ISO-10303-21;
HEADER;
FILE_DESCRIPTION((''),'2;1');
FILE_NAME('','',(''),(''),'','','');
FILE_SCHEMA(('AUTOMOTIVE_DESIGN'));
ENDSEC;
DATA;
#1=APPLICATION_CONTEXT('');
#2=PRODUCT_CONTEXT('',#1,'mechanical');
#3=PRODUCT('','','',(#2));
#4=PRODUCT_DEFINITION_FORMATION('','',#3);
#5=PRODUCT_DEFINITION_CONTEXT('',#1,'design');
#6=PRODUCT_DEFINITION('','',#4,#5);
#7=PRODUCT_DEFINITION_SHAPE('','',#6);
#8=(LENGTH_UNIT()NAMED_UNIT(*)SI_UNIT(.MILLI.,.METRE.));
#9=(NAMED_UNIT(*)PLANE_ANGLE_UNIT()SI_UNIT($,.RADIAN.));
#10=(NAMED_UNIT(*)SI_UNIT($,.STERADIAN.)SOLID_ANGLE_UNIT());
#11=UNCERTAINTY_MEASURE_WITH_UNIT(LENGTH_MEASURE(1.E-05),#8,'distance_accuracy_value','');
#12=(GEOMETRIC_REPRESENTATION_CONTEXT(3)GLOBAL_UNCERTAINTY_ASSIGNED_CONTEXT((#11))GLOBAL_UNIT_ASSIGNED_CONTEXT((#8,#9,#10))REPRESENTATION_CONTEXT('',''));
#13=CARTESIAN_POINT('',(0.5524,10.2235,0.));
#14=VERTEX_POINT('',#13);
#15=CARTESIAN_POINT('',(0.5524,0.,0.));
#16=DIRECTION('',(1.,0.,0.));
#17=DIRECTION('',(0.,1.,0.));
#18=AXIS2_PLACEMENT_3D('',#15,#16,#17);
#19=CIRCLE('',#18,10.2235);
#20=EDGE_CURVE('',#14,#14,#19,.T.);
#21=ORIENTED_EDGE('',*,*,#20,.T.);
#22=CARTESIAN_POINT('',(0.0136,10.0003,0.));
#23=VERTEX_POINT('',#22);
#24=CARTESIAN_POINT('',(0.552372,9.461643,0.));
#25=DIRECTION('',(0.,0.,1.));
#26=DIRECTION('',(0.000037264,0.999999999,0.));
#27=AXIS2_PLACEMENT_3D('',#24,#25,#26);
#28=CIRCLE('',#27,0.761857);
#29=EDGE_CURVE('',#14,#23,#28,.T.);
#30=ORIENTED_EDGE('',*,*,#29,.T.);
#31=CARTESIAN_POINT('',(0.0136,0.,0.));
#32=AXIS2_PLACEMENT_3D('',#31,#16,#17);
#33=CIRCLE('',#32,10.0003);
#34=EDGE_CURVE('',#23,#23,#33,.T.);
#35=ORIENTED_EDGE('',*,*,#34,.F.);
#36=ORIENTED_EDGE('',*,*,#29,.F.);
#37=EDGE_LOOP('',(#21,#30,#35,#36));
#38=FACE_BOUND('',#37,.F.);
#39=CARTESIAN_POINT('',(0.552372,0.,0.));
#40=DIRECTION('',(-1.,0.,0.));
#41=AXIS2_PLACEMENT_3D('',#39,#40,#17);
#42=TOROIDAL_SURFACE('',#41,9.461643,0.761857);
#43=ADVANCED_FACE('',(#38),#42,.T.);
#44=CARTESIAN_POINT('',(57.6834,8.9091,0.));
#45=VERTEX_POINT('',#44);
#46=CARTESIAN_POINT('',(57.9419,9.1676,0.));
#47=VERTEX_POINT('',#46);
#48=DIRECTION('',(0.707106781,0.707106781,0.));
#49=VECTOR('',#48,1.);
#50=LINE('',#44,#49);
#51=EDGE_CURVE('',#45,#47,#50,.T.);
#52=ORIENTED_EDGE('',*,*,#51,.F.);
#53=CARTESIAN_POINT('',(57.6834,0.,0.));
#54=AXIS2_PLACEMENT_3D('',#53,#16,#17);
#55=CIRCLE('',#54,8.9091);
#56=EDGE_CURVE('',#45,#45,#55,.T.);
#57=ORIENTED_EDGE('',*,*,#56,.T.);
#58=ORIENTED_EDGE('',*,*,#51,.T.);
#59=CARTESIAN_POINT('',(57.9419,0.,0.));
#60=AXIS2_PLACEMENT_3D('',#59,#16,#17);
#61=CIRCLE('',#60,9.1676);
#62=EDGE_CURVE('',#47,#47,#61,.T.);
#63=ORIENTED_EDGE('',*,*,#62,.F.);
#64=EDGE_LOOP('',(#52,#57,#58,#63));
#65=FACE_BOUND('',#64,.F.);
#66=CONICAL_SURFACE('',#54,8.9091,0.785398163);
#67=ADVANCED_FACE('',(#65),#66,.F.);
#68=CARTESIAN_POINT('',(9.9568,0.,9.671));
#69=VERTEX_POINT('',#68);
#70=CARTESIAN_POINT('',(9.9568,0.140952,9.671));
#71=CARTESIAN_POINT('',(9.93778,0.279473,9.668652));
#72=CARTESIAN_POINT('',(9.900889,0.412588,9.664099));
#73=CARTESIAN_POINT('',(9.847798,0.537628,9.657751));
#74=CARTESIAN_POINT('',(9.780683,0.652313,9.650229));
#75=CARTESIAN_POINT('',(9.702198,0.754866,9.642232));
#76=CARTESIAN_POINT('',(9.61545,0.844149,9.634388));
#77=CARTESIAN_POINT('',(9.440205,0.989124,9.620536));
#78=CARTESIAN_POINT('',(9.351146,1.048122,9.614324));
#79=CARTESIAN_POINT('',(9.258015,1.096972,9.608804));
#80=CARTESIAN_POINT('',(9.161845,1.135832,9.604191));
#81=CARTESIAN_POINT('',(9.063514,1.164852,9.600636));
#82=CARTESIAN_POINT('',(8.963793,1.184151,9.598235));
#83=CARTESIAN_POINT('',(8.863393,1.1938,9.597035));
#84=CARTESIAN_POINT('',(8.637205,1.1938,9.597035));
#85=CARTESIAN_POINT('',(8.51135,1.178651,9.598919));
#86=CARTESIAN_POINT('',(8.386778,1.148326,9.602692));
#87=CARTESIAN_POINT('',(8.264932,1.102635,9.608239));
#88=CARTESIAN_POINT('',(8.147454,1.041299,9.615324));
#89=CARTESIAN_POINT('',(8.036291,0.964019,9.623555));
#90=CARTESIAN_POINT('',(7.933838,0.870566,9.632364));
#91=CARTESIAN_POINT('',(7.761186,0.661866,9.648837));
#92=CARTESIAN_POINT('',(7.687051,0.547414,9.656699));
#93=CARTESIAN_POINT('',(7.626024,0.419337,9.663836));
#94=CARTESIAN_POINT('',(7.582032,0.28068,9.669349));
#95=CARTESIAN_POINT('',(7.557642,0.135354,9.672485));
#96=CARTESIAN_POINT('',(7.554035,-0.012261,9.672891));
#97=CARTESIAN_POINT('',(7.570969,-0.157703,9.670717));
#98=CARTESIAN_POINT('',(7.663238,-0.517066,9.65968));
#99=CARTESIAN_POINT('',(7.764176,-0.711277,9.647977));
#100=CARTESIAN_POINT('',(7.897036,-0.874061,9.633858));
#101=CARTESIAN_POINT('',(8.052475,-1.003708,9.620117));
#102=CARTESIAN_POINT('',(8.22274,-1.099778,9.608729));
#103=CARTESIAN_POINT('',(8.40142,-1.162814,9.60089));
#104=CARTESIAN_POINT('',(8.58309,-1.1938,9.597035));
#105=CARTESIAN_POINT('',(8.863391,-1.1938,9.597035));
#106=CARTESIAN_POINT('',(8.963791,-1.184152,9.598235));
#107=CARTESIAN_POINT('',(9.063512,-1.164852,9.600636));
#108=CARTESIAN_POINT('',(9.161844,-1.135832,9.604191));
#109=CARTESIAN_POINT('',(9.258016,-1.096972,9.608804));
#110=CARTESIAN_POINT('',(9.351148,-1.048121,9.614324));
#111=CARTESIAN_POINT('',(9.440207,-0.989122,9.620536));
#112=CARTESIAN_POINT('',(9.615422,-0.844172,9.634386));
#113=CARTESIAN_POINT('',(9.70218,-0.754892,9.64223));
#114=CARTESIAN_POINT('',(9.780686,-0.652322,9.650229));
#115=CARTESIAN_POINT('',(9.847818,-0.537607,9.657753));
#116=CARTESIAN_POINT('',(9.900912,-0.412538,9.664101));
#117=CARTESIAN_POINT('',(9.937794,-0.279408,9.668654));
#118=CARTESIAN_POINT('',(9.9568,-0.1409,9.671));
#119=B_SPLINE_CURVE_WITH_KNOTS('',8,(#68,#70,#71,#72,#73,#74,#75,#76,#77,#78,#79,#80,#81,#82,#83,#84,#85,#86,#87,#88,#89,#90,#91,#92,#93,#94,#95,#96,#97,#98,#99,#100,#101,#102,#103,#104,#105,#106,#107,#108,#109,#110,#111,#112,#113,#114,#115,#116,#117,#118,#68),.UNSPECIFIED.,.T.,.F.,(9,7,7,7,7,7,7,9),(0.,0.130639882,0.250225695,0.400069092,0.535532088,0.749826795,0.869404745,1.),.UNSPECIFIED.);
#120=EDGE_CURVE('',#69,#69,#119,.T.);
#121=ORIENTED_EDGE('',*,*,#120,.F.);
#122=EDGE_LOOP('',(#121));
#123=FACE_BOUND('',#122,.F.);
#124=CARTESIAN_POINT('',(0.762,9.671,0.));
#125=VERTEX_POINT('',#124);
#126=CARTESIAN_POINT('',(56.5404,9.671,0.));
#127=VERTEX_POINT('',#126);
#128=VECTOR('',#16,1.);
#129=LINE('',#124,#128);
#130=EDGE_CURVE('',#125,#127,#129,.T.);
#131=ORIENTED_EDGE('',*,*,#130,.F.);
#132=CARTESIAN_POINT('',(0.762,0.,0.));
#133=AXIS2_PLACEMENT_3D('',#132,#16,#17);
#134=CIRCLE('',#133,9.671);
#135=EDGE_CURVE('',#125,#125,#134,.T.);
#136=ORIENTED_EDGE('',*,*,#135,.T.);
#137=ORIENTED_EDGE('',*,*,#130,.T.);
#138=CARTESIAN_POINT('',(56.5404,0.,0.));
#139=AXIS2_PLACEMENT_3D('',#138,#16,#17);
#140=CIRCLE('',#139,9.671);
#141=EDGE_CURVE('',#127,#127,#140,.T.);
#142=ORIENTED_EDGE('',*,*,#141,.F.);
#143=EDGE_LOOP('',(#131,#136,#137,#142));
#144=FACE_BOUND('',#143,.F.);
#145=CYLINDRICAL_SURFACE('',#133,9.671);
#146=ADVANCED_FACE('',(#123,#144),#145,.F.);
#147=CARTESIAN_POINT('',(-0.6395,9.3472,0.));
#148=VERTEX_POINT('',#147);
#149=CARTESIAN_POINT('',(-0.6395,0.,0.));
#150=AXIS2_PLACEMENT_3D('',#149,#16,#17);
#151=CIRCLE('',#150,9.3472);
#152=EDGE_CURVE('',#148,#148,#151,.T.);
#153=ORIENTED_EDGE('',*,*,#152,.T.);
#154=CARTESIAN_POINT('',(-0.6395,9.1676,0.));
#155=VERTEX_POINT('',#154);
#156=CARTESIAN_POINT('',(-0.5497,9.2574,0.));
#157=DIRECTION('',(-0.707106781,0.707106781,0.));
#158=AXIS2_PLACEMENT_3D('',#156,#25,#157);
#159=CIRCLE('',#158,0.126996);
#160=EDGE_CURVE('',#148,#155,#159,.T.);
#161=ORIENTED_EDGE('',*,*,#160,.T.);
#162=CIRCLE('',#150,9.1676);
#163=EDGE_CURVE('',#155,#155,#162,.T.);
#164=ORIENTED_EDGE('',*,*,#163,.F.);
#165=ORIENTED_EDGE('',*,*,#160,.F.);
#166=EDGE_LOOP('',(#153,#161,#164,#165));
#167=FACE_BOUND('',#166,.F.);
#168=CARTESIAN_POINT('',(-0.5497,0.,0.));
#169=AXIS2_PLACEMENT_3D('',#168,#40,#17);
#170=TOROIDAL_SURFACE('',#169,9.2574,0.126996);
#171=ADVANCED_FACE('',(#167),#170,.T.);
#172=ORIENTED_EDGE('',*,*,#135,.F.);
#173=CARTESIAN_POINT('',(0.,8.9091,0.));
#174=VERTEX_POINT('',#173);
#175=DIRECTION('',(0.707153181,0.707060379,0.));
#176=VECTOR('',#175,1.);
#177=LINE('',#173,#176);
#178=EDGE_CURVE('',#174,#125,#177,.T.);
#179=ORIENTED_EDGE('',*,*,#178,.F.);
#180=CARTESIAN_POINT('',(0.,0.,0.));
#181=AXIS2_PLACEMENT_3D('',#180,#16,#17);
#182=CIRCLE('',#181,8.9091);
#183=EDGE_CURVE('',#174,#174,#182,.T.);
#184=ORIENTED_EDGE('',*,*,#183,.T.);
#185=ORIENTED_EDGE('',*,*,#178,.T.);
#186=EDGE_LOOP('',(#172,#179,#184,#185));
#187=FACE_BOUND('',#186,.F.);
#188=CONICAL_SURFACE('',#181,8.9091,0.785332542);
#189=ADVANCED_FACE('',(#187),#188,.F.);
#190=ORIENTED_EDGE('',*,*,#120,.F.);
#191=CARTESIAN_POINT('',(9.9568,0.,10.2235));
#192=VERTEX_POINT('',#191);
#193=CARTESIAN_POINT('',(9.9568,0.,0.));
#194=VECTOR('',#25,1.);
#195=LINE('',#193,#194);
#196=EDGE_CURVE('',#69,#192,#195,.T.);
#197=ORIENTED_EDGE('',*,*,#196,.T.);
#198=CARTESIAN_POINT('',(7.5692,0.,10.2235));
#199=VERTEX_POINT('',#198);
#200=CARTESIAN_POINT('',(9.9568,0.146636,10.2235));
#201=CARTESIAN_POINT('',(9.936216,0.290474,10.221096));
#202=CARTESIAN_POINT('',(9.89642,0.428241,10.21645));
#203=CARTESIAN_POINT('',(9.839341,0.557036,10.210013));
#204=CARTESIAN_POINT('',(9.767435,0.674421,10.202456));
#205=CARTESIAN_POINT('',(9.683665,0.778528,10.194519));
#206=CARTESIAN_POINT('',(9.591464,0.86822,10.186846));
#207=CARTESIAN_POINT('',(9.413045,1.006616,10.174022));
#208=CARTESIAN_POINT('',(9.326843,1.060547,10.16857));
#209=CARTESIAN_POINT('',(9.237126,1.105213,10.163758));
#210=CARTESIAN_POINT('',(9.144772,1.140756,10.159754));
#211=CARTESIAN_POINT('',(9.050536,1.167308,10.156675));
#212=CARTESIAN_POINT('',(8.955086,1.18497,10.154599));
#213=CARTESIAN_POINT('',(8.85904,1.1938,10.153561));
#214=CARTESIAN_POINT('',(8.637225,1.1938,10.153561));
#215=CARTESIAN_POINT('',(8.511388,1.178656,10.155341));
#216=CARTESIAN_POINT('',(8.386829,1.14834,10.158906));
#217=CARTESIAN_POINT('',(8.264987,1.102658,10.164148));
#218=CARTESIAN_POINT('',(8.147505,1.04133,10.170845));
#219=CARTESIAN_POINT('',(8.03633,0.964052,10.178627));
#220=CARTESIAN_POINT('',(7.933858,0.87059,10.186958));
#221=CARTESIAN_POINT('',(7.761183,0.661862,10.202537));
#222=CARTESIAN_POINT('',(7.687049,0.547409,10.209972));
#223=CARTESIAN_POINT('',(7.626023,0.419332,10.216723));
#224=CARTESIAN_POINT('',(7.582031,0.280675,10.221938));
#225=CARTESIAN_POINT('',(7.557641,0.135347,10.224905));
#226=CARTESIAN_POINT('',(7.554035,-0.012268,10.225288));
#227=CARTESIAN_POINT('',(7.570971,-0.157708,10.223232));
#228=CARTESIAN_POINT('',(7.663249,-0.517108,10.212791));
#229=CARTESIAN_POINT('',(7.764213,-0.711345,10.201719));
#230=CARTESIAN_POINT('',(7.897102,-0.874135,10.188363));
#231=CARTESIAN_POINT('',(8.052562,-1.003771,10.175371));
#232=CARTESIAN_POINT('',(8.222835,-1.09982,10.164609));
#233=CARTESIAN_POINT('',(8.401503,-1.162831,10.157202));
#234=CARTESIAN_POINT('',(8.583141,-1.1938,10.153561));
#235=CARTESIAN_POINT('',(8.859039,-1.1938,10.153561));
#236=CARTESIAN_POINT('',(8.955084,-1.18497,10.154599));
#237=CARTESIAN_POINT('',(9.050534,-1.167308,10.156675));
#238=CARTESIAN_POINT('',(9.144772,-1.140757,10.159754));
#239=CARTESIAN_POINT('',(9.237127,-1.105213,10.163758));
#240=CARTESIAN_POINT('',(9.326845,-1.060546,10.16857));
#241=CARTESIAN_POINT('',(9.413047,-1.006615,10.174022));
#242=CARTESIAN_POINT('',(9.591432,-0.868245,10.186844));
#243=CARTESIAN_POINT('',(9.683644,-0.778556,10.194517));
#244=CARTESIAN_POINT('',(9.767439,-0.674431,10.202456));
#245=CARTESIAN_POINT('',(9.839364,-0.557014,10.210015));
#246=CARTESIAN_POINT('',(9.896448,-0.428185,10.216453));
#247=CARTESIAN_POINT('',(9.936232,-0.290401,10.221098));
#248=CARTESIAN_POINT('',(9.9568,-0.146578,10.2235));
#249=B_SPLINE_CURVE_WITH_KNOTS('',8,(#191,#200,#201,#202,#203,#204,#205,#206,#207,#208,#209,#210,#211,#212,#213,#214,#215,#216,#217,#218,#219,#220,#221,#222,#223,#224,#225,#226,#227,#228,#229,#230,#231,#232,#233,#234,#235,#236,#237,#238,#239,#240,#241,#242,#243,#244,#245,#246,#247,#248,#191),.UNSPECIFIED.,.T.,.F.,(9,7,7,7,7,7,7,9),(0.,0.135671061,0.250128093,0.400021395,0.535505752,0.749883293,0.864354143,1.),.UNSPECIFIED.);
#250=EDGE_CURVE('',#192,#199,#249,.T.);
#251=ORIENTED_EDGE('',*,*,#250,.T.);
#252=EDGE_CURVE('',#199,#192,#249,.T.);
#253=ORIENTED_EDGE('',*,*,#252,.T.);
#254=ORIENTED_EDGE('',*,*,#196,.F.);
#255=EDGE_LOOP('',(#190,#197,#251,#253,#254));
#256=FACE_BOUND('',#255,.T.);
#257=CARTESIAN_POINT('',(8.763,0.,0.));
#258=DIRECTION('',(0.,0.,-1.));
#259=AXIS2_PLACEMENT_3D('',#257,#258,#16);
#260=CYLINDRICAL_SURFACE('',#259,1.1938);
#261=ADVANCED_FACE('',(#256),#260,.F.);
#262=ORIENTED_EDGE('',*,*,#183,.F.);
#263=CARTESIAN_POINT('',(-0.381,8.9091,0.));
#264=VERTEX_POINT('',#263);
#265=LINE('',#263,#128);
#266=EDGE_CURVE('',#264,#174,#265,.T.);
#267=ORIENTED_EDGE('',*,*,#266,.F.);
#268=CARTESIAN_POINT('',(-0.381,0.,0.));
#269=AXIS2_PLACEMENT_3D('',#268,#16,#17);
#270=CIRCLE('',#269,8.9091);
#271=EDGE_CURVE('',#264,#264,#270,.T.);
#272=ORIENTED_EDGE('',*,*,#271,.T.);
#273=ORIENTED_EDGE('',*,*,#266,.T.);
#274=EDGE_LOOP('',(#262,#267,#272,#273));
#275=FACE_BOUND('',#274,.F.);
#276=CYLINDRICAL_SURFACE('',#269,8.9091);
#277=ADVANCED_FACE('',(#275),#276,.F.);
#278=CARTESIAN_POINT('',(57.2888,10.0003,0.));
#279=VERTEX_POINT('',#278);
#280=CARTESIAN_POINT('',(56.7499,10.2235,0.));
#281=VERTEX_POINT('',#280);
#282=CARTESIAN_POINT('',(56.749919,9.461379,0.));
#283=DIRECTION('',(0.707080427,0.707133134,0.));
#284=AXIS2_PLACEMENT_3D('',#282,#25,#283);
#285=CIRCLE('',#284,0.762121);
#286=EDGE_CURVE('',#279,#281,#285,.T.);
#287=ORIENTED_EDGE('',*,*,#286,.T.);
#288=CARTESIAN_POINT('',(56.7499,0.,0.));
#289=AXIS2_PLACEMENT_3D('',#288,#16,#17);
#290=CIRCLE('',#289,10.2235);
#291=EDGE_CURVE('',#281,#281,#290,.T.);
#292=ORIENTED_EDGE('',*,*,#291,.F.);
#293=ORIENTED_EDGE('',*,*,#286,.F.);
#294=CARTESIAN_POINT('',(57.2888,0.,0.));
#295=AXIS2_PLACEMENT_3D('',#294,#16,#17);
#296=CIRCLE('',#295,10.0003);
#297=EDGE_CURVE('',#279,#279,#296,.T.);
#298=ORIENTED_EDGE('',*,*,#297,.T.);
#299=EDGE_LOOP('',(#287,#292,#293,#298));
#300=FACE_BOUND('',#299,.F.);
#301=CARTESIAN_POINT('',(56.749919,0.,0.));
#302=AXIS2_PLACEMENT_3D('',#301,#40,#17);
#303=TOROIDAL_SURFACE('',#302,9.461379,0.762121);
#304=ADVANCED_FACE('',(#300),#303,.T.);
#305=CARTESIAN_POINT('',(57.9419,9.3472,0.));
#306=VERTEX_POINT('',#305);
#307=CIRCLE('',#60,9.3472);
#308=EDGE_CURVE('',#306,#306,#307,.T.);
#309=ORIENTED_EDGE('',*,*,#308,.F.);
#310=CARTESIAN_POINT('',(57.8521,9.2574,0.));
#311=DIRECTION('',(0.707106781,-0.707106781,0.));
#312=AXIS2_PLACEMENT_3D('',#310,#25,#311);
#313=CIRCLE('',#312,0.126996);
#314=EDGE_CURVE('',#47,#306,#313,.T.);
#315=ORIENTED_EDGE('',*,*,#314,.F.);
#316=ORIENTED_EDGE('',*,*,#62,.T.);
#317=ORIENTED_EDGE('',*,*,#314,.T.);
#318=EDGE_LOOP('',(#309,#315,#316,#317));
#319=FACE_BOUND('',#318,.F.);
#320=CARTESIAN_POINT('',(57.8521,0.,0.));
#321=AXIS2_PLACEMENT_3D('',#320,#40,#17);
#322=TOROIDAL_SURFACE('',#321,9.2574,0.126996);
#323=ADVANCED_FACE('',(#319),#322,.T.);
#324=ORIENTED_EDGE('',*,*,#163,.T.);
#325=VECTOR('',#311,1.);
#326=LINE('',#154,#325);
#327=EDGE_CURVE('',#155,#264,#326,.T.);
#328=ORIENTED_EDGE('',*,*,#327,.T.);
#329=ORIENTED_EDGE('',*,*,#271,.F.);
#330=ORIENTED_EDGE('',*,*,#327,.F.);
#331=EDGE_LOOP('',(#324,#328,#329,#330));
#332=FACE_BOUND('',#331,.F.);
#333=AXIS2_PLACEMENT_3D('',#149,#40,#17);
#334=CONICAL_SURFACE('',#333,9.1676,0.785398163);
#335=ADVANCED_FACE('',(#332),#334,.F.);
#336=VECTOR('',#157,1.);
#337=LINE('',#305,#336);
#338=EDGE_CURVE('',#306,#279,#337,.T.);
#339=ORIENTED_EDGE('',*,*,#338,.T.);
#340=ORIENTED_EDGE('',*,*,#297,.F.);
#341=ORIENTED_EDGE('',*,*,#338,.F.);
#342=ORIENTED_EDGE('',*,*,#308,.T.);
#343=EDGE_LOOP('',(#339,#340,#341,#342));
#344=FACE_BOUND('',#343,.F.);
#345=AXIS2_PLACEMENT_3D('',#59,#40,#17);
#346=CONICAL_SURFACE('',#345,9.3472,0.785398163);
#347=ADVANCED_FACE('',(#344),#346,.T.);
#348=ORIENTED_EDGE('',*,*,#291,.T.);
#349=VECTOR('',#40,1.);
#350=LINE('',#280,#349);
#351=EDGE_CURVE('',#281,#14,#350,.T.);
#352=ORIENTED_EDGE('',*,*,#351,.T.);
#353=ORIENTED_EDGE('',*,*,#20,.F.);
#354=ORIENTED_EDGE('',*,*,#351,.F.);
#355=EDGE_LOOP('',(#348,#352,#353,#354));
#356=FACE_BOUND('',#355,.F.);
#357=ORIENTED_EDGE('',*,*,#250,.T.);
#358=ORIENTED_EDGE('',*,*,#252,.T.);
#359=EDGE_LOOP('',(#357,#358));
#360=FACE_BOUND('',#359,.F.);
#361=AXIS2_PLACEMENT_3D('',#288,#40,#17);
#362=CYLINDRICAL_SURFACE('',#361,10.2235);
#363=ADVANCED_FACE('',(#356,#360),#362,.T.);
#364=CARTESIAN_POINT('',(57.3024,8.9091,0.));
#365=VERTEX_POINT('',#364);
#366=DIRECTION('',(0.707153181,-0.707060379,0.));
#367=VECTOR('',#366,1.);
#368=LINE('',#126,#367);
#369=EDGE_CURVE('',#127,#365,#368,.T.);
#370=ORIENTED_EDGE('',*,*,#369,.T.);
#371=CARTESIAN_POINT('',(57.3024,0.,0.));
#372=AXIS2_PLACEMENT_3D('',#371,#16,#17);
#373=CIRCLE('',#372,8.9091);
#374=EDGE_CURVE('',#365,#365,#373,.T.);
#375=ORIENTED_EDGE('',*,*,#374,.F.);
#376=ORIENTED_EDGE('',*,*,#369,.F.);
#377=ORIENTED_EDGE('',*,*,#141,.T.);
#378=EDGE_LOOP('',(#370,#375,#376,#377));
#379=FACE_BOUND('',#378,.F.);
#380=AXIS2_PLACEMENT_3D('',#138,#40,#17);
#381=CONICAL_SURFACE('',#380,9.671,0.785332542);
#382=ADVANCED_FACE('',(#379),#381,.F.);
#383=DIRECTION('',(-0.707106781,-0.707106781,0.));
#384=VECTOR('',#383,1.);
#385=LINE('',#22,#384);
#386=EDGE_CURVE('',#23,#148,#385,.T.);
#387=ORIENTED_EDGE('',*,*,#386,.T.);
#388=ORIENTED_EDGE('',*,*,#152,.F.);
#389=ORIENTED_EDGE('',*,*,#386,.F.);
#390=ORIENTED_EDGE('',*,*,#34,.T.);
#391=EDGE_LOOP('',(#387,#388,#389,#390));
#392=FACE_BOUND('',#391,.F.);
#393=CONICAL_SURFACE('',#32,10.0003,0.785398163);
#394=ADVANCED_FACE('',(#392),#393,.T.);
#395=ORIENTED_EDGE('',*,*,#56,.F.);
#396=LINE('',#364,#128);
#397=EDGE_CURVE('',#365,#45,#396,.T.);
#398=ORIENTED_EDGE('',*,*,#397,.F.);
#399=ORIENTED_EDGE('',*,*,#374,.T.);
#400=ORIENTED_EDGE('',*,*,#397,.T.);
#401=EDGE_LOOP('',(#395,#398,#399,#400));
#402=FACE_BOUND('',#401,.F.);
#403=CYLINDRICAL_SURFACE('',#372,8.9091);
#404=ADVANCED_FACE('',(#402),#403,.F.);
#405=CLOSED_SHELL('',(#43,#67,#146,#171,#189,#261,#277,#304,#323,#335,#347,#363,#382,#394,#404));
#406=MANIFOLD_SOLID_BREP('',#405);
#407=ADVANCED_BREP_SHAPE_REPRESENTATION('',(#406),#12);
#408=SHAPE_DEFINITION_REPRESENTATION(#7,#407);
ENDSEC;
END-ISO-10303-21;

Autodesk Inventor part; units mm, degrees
sketch "Sketch_1" plane through (0, 0, 0) normal (0, 0, 1) x (1, 0, 0)
  line L0 (57.3024, 0) -> (0, 0)
  arc A0 (-0.6395, 9.3472) -> (-0.6395, 9.1676) centre (-0.5497, 9.2574) ccw
  line L1 (-0.6395, 9.1676) -> (-0.381, 8.9091)
  line L2 (-0.381, 8.9091) -> (0, 8.9091)
  line L3 (0, 8.9091) -> (0.762, 9.671)
  line L4 (0.762, 9.671) -> (56.5404, 9.671)
  line L5 (56.5404, 9.671) -> (57.3024, 8.9091)
  line L6 (57.3024, 8.9091) -> (57.6834, 8.9091)
  line L7 (57.6834, 8.9091) -> (57.9419, 9.1676)
  arc A1 (57.9419, 9.1676) -> (57.9419, 9.3472) centre (57.8521, 9.2574) ccw
  line L8 (57.9419, 9.3472) -> (57.2888, 10.0003)
  arc A2 (57.2888, 10.0003) -> (56.7499, 10.2235) centre (56.75, 9.4615) ccw
  line L9 (56.7499, 10.2235) -> (0.5524, 10.2235)
  arc A3 (0.5524, 10.2235) -> (0.0136, 10.0003) centre (0.5524, 9.4615) ccw
  line L10 (0.0136, 10.0003) -> (-0.6395, 9.3472)
revolve "Revolution1" add sketch "Sketch_1" angle 360 about axis through (57.3024, 0, 0) along (1, 0, 0)
sketch "Sketch_4" plane through (0, 0, 0) normal (0, 0, 1) x (1, 0, 0)
  circle A0 centre (8.763, 0) radius 1.1938
extrude "Extrusion1" cut sketch "Sketch_4" along normal blind 10.2235
ref_plane "cp1_XY" through (28.6512, 0, 10.2235) normal (1, 0, 0) x (0, 0, -1)
ref_plane "cp1_YZ" through (28.6512, 0, 10.2235) normal (0, 0, -1) x (0, 1, 0)
ref_plane "cp1_ZX" through (28.6512, 0, 10.2235) normal (0, 1, 0) x (1, 0, 0)
ref_plane "cp2_XY" through (28.6512, 10.2235, 0) normal (1, 0, 0) x (0, 0, -1)
ref_plane "cp2_YZ" through (28.6512, 10.2235, 0) normal (0, 0, -1) x (0, 1, 0)
ref_plane "cp2_ZX" through (28.6512, 10.2235, 0) normal (0, 1, 0) x (1, 0, 0)
ref_plane "cp3_XY" through (28.6512, 0, -10.2235) normal (1, 0, 0) x (0, 0, -1)
ref_plane "cp3_YZ" through (28.6512, 0, -10.2235) normal (0, 0, -1) x (0, 1, 0)
ref_plane "cp3_ZX" through (28.6512, 0, -10.2235) normal (0, 1, 0) x (1, 0, 0)
ref_plane "cp4_XY" through (28.6512, -10.2235, 0) normal (1, 0, 0) x (0, 0, -1)
ref_plane "cp4_YZ" through (28.6512, -10.2235, 0) normal (0, 0, -1) x (0, 1, 0)
ref_plane "cp4_ZX" through (28.6512, -10.2235, 0) normal (0, 1, 0) x (1, 0, 0)
ref_plane "tube_front_XY" through (0, 0, 0) normal (1, 0, 0) x (0, 0, -1)
ref_plane "tube_front_YZ" through (0, 0, 0) normal (0, 0, -1) x (0, 1, 0)
ref_plane "tube_front_ZX" through (0, 0, 0) normal (0, 1, 0) x (1, 0, 0)
ref_plane "tube_rear_XY" through (57.3024, 0, 0) normal (1, 0, 0) x (0, 0, -1)
ref_plane "tube_rear_YZ" through (57.3024, 0, 0) normal (0, 0, -1) x (0, 1, 0)
ref_plane "tube_rear_ZX" through (57.3024, 0, 0) normal (0, 1, 0) x (1, 0, 0)
properties part number "04-2.2562C"
